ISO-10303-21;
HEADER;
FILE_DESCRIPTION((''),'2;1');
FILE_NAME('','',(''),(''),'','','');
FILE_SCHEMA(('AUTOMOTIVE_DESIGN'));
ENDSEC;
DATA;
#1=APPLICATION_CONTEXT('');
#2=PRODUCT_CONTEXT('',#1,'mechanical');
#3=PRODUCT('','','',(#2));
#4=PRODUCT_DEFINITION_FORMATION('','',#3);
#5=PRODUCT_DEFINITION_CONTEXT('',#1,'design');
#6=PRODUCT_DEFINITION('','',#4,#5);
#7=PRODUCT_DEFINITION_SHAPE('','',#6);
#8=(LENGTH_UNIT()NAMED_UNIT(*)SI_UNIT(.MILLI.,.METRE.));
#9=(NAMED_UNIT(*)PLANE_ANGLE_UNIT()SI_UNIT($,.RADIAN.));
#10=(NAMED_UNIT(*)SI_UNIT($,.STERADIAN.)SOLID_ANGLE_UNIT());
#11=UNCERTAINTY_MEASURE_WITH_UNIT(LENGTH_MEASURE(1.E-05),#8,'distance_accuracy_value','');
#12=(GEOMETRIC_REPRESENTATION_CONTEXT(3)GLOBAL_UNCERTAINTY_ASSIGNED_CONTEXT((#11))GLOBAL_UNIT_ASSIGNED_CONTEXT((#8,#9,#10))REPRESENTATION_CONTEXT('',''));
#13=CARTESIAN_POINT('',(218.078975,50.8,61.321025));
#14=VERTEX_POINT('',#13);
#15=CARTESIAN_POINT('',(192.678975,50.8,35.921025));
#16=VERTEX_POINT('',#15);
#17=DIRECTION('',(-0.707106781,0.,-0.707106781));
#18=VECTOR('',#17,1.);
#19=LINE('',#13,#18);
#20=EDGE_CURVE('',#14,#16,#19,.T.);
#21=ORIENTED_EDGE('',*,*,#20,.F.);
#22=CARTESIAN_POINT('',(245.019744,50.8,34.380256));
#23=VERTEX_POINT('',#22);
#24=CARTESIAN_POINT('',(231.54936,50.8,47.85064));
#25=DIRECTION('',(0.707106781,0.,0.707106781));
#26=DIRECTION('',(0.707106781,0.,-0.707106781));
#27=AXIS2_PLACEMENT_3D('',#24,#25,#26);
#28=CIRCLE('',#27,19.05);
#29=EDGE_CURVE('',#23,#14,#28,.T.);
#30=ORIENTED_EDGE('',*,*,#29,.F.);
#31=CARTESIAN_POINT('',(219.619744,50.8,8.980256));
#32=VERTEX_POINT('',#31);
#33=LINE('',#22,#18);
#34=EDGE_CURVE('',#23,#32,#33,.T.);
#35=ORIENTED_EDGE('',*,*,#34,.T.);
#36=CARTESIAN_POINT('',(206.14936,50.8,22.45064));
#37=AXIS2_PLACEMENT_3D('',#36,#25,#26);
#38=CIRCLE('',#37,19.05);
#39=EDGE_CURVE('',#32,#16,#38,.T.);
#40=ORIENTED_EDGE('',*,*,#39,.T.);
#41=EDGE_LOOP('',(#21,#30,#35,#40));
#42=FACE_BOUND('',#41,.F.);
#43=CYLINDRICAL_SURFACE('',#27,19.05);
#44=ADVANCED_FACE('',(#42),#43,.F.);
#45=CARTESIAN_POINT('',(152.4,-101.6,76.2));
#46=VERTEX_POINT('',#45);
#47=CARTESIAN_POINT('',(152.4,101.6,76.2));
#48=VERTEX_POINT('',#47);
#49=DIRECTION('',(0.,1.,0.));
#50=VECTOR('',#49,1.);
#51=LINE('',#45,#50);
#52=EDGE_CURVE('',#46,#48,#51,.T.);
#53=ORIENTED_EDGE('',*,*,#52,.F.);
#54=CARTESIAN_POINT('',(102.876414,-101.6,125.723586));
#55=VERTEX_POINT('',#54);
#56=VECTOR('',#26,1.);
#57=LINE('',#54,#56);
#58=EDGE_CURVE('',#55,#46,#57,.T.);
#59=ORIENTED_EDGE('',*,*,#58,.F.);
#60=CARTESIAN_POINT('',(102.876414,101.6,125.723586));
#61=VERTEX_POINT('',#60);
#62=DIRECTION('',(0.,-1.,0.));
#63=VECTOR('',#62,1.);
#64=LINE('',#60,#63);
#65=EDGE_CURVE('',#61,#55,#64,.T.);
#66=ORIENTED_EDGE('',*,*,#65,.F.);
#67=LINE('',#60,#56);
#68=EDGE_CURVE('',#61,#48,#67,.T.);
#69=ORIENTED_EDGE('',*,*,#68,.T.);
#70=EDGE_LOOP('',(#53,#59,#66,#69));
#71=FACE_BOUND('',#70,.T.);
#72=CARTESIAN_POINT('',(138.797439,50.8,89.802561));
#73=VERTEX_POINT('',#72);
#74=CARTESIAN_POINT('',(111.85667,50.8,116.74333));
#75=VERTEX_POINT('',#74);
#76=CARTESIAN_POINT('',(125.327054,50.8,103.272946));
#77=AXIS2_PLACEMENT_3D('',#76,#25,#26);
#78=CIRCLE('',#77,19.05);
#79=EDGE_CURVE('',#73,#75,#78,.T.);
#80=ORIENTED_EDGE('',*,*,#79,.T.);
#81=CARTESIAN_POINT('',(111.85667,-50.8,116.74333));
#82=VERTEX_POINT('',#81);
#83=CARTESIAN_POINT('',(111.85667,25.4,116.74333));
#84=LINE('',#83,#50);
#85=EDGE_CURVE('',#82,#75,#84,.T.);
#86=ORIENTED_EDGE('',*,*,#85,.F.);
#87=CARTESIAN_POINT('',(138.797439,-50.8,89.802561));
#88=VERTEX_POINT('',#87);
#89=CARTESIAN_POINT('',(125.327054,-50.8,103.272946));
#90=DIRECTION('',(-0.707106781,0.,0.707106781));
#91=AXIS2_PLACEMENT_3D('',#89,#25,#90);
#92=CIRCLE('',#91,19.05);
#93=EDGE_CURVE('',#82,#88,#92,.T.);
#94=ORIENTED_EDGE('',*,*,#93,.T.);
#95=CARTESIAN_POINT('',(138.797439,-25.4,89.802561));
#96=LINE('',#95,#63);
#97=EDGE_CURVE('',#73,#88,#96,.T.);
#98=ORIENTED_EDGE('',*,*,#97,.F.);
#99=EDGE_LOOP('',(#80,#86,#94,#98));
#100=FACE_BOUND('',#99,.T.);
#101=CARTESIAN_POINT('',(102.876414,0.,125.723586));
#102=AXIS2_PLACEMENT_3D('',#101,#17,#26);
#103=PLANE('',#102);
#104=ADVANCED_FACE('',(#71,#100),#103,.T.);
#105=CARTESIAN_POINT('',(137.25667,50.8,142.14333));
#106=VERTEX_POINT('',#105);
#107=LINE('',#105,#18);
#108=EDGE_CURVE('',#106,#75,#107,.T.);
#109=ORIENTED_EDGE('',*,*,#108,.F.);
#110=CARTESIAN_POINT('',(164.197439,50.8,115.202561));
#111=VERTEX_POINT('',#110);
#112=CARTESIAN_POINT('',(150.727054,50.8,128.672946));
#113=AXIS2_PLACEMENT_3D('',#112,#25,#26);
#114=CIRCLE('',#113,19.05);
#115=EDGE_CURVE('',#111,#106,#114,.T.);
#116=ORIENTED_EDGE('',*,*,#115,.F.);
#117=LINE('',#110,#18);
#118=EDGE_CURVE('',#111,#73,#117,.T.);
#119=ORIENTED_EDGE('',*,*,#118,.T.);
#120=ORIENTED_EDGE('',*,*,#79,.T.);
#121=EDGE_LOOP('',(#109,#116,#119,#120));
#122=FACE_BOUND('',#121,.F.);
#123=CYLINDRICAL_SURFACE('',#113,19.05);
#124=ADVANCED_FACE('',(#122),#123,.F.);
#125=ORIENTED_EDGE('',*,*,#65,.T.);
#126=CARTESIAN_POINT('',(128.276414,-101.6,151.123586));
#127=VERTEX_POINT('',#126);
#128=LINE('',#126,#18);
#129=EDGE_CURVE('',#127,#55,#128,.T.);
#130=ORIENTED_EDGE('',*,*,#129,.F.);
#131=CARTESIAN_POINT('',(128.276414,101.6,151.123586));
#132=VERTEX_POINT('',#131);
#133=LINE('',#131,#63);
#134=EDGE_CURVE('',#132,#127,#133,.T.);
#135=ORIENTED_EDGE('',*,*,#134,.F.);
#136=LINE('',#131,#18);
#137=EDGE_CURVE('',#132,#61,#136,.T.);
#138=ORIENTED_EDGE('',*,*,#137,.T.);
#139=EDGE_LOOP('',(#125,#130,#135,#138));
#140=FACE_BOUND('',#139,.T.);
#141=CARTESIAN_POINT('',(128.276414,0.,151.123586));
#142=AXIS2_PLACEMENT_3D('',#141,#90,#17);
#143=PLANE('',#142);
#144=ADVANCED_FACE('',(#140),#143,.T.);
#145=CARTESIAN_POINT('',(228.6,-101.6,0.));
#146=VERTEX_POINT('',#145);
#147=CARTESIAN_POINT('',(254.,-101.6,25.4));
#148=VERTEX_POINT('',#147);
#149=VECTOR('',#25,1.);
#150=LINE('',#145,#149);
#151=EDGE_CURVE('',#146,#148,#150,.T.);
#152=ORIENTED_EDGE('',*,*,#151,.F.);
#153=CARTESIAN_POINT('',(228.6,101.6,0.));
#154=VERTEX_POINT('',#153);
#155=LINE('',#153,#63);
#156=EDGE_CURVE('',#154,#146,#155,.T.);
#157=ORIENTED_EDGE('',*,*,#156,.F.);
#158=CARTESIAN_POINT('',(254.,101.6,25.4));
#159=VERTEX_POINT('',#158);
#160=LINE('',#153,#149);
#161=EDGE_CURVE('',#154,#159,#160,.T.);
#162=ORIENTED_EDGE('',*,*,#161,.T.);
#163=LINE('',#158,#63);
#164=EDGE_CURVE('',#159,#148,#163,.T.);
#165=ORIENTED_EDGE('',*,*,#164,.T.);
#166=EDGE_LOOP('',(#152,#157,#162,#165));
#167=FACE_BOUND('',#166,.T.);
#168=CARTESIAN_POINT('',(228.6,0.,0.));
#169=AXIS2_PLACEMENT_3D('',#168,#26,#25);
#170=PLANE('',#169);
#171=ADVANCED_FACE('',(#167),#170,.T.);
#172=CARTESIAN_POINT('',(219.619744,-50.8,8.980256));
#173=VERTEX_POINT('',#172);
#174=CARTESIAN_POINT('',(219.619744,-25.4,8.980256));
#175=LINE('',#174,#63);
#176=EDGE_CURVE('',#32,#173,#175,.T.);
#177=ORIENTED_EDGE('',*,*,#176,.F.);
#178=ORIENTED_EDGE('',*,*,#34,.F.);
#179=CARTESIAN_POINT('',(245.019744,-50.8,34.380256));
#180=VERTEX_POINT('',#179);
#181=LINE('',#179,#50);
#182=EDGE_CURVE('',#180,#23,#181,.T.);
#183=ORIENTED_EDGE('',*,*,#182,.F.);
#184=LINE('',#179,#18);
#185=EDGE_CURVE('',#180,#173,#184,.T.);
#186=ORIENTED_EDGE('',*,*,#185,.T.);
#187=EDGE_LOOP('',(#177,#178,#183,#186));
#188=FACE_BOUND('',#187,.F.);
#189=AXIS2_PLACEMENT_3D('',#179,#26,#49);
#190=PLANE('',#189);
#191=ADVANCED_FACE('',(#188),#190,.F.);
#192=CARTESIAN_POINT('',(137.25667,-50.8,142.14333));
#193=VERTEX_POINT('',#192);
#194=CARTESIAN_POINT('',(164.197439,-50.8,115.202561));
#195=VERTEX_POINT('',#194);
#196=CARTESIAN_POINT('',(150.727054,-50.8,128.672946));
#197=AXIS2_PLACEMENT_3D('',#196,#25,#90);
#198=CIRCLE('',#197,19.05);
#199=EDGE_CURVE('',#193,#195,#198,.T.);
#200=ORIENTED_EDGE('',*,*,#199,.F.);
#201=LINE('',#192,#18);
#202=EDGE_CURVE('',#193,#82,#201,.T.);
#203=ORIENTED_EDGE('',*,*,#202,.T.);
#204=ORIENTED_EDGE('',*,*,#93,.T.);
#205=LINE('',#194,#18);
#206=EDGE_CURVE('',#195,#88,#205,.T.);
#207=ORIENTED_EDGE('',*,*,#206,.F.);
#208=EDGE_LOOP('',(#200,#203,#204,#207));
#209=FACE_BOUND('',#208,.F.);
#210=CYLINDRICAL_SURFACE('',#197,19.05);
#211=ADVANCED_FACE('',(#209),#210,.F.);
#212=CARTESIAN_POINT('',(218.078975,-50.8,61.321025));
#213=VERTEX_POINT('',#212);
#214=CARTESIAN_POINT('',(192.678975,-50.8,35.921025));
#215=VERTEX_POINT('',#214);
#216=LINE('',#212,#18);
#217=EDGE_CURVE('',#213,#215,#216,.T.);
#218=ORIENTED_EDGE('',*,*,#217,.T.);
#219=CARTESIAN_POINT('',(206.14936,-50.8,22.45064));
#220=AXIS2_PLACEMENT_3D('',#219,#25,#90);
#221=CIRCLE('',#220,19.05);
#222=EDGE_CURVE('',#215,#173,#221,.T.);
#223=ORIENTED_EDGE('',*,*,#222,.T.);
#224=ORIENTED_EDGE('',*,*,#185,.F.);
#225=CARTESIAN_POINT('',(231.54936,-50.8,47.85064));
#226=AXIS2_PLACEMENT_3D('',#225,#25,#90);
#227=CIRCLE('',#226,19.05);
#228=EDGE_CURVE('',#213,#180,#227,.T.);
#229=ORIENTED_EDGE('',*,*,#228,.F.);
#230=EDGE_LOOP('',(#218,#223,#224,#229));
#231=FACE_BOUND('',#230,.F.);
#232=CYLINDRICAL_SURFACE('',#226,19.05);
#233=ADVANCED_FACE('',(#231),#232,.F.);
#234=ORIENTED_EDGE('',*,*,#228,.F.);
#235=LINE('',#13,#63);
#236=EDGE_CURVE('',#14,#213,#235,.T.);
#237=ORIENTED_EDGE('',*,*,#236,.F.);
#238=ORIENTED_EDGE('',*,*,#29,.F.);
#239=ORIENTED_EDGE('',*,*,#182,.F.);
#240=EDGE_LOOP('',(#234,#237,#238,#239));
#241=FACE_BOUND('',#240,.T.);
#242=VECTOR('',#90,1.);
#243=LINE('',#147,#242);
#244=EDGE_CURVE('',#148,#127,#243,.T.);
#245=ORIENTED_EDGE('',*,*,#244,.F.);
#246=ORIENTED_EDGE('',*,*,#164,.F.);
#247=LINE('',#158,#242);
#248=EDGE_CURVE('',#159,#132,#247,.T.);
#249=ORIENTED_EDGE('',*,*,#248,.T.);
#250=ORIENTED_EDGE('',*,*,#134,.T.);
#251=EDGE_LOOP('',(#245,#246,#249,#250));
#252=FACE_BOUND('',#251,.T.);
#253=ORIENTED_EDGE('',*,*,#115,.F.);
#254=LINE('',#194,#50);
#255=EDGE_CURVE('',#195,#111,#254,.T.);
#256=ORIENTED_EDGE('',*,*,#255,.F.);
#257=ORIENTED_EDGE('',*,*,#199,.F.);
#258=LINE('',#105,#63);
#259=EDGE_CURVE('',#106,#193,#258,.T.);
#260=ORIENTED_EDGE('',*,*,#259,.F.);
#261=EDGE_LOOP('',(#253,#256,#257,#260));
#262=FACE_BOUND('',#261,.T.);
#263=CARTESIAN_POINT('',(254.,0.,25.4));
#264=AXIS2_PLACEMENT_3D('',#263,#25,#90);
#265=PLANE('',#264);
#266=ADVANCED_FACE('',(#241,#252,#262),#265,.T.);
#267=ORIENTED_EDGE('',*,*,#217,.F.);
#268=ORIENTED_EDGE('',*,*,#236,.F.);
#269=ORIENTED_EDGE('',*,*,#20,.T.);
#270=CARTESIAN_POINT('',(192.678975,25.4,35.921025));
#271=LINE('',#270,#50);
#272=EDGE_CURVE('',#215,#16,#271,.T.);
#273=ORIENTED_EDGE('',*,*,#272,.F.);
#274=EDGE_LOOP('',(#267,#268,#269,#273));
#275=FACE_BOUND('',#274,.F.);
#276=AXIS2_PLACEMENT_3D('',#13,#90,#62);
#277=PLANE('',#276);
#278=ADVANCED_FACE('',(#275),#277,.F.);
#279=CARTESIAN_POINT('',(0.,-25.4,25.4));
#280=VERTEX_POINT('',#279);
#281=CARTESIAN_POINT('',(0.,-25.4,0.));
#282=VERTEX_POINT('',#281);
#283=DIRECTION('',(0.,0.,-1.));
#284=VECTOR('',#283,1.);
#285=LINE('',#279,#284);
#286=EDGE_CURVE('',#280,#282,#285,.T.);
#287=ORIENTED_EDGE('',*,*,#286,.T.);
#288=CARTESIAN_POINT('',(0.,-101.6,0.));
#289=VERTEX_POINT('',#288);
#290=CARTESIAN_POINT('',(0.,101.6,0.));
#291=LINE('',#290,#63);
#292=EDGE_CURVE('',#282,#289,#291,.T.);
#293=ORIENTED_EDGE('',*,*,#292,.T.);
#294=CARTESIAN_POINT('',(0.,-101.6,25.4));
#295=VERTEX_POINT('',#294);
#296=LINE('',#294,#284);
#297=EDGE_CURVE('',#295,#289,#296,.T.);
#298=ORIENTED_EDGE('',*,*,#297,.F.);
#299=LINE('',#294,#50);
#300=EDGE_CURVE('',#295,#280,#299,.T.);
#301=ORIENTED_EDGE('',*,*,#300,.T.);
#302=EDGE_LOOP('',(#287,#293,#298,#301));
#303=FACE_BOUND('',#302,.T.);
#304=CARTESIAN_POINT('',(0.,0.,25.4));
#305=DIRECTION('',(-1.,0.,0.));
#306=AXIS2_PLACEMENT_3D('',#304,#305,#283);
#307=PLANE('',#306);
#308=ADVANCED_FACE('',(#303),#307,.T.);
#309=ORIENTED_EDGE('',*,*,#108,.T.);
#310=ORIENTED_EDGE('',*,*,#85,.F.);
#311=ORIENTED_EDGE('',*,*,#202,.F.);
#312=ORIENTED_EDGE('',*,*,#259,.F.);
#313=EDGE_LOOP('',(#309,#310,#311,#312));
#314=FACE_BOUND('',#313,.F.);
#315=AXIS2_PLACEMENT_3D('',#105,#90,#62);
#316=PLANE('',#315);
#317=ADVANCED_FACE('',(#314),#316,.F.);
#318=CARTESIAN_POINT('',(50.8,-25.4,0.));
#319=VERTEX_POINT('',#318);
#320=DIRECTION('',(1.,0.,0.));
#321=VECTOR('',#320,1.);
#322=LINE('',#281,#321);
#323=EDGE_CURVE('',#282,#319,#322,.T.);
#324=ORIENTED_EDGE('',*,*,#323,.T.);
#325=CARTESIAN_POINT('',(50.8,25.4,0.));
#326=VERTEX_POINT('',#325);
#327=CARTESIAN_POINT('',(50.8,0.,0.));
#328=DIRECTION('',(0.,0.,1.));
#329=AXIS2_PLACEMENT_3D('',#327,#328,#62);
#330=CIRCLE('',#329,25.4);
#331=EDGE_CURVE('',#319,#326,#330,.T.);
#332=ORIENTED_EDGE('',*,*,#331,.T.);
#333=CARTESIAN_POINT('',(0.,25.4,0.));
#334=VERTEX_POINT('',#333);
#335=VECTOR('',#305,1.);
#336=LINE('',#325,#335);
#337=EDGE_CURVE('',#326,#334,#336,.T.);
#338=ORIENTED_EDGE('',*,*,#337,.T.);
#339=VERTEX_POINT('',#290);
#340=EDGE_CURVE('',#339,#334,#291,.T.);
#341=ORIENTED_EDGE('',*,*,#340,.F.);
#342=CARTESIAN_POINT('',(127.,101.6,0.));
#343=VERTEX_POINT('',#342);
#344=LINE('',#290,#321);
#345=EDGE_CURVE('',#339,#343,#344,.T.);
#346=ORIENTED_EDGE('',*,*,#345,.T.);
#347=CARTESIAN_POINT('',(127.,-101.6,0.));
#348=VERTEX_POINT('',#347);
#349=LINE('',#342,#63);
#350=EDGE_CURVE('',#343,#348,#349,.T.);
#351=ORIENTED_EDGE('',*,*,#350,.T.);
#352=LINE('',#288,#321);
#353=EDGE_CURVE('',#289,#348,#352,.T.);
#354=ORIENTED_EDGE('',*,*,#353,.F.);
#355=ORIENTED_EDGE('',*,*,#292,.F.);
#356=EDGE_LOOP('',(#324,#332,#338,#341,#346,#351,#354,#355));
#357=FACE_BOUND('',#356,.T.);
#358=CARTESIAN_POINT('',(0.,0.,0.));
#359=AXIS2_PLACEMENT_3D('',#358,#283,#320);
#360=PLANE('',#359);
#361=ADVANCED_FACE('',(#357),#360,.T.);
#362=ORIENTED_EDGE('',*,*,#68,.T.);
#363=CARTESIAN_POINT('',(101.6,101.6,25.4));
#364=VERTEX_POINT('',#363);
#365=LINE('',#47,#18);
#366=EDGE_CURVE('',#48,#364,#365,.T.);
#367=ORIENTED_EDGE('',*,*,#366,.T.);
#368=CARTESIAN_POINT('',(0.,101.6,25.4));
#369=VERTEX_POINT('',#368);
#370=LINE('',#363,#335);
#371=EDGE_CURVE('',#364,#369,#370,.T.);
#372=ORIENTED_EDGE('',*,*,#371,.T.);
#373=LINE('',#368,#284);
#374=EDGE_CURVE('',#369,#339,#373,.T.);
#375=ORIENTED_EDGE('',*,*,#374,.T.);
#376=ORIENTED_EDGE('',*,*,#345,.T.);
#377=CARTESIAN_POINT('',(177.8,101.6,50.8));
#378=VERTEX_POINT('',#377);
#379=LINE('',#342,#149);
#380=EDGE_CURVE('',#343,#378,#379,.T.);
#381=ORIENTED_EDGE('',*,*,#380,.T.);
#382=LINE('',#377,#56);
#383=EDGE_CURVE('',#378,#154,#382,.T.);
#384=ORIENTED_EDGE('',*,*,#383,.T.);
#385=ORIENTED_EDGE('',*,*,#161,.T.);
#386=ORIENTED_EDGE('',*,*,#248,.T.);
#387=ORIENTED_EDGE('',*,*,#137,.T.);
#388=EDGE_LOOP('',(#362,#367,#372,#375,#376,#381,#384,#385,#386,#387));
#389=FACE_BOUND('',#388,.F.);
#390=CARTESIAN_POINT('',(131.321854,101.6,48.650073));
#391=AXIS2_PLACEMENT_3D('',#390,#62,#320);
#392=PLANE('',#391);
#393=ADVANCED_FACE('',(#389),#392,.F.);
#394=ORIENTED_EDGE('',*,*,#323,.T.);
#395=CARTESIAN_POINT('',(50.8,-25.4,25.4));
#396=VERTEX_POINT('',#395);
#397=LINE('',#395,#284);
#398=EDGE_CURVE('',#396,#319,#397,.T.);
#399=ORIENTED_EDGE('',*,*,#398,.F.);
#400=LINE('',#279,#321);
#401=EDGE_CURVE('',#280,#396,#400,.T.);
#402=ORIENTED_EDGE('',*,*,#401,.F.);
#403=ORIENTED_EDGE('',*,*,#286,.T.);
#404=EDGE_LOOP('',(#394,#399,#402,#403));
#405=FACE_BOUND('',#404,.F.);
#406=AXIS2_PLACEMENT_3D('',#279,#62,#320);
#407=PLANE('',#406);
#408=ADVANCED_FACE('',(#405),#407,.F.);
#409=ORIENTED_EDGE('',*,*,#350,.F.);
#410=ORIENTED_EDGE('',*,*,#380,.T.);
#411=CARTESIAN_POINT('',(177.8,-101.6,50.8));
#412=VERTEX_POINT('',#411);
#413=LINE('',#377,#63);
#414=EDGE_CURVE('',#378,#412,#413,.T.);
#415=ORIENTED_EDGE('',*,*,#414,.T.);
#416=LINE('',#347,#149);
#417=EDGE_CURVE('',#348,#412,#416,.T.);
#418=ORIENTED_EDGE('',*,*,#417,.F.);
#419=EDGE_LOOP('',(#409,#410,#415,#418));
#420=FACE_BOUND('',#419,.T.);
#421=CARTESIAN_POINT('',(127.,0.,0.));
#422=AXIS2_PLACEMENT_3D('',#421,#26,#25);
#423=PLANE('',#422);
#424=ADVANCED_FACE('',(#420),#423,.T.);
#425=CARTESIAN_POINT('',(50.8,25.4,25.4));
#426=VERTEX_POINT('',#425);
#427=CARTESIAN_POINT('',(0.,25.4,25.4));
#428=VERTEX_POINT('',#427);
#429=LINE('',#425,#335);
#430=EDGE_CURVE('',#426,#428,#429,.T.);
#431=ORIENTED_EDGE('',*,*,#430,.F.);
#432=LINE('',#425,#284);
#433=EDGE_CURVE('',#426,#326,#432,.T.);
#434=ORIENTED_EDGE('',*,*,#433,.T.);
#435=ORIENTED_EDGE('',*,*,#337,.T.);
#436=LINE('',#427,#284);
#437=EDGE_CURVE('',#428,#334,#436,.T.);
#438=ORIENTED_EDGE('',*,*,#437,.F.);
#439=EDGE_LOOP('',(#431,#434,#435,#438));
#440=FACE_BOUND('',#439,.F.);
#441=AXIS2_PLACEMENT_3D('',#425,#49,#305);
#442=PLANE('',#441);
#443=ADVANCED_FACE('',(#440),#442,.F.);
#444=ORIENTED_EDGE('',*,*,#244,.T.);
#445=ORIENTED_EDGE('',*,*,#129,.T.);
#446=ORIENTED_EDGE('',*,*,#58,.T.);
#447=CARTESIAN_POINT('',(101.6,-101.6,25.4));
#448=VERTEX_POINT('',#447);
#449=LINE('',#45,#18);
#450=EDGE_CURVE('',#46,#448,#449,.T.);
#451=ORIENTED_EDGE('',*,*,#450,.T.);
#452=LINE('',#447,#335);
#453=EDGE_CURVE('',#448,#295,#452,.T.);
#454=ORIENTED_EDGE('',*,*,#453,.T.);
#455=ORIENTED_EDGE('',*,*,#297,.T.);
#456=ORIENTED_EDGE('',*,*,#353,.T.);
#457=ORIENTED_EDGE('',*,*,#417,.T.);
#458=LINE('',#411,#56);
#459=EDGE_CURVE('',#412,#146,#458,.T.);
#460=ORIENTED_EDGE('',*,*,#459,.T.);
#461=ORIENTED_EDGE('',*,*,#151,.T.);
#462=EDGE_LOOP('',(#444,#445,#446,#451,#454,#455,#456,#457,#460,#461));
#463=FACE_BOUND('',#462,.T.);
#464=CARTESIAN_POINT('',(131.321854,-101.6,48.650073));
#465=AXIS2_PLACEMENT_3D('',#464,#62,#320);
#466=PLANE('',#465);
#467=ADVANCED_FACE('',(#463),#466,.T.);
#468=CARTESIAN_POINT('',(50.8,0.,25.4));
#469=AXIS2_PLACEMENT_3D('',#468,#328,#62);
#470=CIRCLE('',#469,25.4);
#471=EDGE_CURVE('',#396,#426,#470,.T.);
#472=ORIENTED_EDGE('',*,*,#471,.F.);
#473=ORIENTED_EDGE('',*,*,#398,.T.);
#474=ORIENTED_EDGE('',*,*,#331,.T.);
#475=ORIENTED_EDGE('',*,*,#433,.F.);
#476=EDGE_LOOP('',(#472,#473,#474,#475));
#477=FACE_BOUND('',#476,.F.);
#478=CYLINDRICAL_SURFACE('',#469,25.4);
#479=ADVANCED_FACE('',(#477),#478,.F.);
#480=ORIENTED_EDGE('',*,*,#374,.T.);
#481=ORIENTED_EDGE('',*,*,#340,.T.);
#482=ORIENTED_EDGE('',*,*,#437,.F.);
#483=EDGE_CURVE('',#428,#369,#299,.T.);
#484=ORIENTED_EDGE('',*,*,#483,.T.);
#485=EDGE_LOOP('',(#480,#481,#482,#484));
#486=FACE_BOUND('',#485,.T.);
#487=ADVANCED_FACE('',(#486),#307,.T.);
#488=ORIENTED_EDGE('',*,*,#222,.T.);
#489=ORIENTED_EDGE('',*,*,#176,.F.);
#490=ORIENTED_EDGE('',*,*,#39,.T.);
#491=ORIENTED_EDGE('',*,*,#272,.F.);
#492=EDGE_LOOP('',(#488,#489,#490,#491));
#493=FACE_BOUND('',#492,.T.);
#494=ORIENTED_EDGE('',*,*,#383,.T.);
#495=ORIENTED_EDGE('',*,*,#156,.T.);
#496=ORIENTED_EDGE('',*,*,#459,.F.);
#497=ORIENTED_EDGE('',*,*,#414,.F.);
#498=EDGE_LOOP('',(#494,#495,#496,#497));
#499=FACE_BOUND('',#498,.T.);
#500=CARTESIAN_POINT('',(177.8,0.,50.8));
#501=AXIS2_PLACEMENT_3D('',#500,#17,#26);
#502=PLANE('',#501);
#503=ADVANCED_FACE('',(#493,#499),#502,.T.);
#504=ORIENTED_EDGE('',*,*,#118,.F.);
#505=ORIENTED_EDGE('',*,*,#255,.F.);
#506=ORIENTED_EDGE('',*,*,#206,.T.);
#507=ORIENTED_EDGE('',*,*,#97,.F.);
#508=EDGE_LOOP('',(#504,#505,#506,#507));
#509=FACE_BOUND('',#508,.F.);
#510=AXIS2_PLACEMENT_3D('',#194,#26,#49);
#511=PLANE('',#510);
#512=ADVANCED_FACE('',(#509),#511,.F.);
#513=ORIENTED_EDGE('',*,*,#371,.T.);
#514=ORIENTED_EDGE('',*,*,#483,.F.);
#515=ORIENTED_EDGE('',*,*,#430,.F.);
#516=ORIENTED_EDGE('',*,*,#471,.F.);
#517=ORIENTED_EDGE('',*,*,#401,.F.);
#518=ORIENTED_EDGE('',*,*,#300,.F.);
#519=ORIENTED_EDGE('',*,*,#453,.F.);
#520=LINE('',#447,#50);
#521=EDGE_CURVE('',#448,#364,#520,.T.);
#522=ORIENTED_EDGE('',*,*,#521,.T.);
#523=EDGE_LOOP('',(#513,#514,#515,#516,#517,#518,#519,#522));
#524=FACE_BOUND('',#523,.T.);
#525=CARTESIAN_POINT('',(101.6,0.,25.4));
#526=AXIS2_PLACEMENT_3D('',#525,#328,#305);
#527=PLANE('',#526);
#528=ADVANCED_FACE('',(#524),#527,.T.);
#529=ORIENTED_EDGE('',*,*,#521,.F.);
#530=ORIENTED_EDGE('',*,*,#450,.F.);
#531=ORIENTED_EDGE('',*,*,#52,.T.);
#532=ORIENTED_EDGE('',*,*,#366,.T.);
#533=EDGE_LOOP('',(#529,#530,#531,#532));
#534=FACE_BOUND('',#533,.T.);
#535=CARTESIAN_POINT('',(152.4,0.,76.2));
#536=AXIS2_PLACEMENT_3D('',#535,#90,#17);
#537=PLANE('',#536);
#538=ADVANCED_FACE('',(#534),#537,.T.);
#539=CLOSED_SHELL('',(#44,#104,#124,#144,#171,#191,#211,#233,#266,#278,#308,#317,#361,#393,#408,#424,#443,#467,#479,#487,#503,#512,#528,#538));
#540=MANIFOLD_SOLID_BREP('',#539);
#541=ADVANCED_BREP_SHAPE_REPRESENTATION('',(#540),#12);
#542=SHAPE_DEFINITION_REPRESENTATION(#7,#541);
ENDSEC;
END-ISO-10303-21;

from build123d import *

# Parameters (mm, degrees)
F1_DEPTH = 101.6
F3_DEPTH = 38.1
F5_DEPTH = 25.4


with BuildPart() as f1:
    # F0 (on Front) → F1 (new body, symmetric)
    with BuildSketch(Plane.XZ):
        Polygon((0, 25.4), (0, 0), (127, 0), (177.8, 50.8), (228.6, 0), (254, 25.4), (128.276414, 151.123586), (102.876414, 125.723586), (152.4, 76.2), (101.6, 25.4), align=None)
    extrude(amount=F1_DEPTH, both=True)

    # F2 (on face) → F3 (cut)
    with BuildSketch(Plane(origin=(139.7, 0, 139.7), x_dir=(0, 1, 0), z_dir=(0.707107, 0, 0.707107))):
        with BuildLine():
            Line((50.8, 3.45539), (-50.8, 3.45539))
            ThreePointArc((-50.8, 3.45539), (-69.85, -15.59461), (-50.8, -34.64461))
            Line((-50.8, -34.64461), (50.8, -34.64461))
            ThreePointArc((50.8, -34.64461), (69.85, -15.59461), (50.8, 3.45539))
        make_face()
        with BuildLine():
            ThreePointArc((-50.8, -110.84461), (-69.85, -129.89461), (-50.8, -148.94461))
            Line((-50.8, -148.94461), (50.8, -148.94461))
            ThreePointArc((50.8, -148.94461), (69.85, -129.89461), (50.8, -110.84461))
            Line((50.8, -110.84461), (-50.8, -110.84461))
        make_face()
    extrude(amount=-F3_DEPTH, mode=Mode.SUBTRACT)

    # F4 (on face) → F5 (cut)
    with BuildSketch(Plane.XY.offset(25.4)):
        with BuildLine():
            Line((0, -25.4), (50.8, -25.4))
            ThreePointArc((50.8, -25.4), (76.2, 0), (50.8, 25.4))
            Line((50.8, 25.4), (0, 25.4))
            Line((0, 25.4), (0, -25.4))
        make_face()
    extrude(amount=-F5_DEPTH, mode=Mode.SUBTRACT)


solid = f1.part
